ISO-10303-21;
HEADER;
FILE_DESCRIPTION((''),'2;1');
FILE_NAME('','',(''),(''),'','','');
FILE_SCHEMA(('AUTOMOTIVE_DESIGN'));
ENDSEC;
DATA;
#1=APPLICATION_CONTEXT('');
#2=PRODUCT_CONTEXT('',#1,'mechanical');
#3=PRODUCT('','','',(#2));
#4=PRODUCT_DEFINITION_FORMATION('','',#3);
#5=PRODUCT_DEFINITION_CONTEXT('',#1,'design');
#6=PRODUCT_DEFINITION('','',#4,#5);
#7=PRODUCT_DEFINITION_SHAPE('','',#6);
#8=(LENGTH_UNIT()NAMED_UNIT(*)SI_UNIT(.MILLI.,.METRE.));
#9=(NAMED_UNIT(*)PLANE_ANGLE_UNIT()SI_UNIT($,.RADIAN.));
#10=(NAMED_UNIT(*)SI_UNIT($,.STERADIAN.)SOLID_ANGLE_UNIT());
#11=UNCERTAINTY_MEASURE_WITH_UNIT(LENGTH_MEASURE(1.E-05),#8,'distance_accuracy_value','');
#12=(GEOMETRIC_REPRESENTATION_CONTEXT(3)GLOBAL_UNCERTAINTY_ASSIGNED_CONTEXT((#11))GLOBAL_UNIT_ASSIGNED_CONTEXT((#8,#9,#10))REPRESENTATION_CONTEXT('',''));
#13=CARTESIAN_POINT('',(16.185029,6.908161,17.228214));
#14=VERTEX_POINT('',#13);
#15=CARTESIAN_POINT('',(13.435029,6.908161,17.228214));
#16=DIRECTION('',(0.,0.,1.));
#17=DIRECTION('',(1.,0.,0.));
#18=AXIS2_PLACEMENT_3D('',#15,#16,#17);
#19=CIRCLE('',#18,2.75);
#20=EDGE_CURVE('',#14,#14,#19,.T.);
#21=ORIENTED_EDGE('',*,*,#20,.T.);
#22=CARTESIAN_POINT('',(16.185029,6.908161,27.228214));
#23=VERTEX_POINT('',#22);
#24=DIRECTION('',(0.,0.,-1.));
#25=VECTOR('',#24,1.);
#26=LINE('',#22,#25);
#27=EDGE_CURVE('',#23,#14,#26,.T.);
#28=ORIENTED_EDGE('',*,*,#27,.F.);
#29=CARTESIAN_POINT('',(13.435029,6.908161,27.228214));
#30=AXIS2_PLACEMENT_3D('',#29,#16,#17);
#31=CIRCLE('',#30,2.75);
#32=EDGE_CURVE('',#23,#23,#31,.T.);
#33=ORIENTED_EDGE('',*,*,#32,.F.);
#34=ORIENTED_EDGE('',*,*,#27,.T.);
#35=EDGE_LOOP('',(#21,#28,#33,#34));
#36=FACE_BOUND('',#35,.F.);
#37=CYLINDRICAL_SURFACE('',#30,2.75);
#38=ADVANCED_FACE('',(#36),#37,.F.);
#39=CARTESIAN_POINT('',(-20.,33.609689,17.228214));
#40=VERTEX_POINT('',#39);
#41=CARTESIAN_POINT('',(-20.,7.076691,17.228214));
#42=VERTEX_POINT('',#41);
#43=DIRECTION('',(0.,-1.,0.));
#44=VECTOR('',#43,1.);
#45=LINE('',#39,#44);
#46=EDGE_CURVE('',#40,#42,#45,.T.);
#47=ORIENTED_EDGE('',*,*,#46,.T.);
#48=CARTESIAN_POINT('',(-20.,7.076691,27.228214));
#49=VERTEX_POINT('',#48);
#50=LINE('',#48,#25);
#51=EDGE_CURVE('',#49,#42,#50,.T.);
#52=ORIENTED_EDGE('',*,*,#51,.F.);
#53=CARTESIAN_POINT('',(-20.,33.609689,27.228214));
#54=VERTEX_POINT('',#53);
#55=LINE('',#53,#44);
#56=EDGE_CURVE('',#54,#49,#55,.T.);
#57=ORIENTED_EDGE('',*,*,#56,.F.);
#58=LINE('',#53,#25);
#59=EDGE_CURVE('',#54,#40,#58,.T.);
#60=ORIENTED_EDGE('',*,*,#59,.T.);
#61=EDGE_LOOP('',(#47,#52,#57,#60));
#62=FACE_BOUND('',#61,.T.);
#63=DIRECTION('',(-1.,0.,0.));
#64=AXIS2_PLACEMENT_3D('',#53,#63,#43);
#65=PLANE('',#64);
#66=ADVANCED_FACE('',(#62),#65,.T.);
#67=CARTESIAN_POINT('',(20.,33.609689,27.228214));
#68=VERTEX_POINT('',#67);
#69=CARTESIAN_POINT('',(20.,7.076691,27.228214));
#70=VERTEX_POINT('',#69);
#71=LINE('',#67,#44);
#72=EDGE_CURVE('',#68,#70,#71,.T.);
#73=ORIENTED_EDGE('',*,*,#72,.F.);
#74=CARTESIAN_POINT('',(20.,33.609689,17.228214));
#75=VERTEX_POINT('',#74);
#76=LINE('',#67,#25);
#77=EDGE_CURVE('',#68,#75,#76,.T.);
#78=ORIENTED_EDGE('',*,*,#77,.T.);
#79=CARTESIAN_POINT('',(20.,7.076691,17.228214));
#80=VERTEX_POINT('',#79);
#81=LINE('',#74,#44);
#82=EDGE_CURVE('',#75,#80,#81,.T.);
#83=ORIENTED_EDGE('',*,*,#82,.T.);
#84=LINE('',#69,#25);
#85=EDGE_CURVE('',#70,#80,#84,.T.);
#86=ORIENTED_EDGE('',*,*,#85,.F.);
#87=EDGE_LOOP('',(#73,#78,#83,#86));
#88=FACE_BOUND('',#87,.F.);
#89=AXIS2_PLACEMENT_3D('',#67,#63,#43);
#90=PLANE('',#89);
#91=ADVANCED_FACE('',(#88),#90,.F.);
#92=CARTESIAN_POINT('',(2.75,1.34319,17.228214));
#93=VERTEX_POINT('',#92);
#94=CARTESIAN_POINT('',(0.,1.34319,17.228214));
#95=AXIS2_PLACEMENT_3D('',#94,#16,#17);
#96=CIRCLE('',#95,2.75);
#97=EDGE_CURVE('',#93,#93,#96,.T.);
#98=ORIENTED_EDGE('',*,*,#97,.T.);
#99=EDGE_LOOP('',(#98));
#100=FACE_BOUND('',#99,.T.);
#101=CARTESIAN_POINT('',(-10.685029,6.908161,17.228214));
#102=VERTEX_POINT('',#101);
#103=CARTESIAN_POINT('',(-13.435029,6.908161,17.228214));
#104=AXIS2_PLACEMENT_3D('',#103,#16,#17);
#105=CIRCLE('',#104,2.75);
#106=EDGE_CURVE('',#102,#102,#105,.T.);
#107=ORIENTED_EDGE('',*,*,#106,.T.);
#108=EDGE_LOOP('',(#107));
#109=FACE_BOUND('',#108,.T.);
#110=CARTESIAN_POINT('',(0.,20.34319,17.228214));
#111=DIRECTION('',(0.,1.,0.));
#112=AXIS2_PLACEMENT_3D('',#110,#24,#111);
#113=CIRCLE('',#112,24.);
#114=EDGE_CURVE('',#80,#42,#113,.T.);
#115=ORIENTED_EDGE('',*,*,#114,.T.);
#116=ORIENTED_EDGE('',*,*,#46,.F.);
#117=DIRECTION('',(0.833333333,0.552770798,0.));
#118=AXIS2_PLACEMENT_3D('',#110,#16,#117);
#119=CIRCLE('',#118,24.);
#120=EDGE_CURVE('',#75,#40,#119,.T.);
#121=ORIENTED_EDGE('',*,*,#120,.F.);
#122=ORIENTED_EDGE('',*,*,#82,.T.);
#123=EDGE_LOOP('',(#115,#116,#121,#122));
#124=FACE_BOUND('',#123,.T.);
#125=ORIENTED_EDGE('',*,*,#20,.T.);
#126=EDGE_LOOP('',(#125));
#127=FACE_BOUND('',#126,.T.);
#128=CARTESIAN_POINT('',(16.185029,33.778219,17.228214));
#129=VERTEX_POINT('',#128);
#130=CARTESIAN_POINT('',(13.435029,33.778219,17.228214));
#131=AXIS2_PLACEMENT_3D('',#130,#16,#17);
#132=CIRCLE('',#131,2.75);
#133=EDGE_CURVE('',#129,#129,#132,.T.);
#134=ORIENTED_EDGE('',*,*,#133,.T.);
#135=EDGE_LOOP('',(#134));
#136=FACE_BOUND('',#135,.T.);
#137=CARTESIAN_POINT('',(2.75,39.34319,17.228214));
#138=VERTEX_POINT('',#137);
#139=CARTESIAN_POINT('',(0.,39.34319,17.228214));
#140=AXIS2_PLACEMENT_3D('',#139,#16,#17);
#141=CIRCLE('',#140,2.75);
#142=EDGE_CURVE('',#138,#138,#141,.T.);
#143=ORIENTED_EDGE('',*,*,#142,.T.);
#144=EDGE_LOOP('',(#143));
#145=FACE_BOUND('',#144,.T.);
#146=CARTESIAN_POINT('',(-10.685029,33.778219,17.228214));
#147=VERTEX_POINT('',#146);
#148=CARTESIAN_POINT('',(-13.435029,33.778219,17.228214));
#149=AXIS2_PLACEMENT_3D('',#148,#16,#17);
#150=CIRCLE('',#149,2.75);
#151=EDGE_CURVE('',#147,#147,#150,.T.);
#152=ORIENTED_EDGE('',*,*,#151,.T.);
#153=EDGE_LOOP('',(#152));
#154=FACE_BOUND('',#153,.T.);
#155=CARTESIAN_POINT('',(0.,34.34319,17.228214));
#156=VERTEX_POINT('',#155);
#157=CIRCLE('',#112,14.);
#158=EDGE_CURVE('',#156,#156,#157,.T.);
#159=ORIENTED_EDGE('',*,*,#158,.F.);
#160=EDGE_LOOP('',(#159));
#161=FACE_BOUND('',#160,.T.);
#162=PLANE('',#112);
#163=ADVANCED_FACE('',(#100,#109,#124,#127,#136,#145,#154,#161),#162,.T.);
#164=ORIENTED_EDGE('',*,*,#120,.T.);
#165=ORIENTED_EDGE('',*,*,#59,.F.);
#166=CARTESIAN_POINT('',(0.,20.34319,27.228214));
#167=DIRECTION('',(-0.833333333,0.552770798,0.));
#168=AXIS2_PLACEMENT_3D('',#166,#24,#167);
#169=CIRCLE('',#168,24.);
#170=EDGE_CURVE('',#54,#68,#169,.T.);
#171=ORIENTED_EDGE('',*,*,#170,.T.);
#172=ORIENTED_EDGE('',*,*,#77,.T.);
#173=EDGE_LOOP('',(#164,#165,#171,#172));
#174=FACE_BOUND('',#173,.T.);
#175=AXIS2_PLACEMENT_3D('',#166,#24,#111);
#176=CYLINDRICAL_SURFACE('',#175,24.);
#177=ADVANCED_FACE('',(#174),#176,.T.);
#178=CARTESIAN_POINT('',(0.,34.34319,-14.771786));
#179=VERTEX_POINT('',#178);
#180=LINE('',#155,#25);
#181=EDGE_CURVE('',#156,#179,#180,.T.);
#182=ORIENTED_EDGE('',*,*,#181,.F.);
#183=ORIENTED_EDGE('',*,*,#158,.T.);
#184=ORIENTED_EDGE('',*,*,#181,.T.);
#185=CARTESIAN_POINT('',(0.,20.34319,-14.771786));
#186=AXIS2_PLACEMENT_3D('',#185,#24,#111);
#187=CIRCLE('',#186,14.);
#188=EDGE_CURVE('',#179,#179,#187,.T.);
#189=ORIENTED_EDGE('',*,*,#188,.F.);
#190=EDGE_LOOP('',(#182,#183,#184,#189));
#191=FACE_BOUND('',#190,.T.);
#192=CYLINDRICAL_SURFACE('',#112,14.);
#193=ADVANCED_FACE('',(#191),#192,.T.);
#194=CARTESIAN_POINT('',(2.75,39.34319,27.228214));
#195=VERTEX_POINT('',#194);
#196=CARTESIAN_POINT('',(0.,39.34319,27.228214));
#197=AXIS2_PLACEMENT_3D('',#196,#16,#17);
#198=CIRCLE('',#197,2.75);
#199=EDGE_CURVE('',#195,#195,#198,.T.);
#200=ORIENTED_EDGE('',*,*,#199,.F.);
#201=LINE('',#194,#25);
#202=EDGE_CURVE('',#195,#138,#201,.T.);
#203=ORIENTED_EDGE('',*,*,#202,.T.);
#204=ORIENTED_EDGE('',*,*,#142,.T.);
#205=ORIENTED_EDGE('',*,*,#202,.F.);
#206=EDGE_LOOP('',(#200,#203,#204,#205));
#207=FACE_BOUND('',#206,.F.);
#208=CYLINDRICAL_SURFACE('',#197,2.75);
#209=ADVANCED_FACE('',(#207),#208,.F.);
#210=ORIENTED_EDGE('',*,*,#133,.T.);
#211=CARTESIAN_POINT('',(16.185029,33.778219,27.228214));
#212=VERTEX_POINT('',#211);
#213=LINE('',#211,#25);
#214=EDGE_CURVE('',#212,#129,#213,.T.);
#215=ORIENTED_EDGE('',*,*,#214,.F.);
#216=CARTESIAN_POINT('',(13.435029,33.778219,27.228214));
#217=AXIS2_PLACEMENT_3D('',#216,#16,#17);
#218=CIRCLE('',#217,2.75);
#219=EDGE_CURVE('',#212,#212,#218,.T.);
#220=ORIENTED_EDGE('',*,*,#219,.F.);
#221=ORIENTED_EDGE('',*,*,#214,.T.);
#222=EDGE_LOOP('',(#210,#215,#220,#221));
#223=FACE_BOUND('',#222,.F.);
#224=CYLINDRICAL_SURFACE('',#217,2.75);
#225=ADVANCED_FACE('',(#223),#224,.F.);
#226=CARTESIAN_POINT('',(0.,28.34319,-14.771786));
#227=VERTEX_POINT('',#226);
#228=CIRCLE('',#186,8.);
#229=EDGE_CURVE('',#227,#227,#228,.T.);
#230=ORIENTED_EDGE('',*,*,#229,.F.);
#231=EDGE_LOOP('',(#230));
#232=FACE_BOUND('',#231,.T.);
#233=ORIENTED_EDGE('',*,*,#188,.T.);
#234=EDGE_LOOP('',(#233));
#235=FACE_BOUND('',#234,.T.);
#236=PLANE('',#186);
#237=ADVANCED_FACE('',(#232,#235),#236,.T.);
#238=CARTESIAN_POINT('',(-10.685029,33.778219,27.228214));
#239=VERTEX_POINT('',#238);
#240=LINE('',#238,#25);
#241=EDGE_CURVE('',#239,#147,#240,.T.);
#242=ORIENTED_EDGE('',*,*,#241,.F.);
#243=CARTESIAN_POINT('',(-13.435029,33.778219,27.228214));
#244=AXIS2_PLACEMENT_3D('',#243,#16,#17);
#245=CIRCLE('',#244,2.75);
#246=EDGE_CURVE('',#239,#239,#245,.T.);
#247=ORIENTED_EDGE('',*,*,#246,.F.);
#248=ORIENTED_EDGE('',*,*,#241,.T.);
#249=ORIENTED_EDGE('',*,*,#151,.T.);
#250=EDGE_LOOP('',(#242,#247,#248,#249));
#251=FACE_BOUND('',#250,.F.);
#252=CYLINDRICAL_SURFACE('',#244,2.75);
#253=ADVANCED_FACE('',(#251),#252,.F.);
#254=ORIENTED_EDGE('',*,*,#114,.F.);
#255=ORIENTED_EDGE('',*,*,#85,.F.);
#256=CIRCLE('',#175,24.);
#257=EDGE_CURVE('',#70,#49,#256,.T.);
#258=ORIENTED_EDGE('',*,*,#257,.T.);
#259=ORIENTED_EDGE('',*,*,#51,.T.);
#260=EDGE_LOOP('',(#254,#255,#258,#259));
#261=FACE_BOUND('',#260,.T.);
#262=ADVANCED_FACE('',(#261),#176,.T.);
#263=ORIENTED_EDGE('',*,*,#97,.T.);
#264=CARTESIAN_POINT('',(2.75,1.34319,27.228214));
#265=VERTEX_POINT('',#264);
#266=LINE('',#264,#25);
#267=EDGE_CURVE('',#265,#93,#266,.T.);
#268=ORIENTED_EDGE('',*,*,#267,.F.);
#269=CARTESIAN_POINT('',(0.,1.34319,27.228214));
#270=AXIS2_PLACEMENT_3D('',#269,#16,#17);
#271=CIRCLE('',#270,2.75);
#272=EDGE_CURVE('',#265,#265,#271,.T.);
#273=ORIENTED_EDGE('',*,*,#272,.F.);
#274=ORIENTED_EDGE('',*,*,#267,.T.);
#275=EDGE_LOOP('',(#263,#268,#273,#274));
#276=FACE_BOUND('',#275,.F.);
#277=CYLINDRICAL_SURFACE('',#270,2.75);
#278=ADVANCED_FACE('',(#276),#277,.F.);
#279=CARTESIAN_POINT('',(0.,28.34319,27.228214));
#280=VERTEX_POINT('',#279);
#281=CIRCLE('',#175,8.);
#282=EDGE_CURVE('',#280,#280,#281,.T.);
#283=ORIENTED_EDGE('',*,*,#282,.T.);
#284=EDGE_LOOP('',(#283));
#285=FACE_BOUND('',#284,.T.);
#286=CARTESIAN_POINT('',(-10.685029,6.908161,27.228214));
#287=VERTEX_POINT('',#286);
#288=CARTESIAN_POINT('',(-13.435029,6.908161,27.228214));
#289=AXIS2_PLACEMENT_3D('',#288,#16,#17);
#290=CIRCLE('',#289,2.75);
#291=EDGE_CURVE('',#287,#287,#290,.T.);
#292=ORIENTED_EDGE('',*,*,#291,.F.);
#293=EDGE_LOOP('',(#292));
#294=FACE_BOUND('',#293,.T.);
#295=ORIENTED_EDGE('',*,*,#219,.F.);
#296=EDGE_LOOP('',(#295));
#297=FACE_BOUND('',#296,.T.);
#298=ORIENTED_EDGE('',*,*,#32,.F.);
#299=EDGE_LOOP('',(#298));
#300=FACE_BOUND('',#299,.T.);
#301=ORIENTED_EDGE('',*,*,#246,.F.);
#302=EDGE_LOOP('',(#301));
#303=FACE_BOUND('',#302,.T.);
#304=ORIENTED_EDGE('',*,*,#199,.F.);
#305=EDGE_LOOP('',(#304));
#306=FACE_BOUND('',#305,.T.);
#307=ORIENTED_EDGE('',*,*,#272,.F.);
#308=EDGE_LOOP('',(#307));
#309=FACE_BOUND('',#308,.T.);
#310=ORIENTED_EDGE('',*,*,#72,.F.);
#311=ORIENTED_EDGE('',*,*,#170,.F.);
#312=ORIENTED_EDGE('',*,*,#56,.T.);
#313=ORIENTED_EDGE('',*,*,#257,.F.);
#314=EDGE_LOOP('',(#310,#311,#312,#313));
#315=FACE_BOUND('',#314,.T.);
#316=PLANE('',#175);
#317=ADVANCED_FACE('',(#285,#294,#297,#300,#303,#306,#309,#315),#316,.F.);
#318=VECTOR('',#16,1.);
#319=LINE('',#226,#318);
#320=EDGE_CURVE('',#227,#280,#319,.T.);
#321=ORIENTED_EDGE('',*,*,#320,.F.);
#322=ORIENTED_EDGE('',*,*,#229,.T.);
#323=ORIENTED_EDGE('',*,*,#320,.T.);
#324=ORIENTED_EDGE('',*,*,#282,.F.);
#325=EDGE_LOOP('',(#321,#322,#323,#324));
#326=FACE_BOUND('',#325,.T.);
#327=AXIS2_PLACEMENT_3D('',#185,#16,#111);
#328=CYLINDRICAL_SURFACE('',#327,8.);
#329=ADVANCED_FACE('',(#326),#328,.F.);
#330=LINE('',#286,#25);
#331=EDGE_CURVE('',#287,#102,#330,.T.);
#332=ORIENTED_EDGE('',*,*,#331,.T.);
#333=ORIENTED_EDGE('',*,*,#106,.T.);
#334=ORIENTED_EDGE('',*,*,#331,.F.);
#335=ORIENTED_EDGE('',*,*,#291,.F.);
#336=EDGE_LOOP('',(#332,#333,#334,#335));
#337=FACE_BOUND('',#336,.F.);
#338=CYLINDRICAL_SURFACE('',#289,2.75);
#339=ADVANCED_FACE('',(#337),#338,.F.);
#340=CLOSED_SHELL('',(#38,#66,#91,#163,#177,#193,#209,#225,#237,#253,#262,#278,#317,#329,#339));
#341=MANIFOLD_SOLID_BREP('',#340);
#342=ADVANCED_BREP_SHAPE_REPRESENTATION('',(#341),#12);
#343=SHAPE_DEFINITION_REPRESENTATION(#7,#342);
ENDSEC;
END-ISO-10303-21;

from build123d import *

# Parameters (mm, degrees)
EXTRUDE1_DEPTH = 10
SKETCH3_R      = 2.75
EXTRUDE2_DEPTH = 10


with BuildPart() as part:
    # Sketch1 → Revolve1 (revolve)
    with BuildSketch(Plane(origin=(0, 0, 0), x_dir=(0, 0, -1), z_dir=(1, 0, 0))):
        Polygon((-27.228213729, 44.343190328), (-17.228213729, 44.343190328), (-17.228213729, 34.343190328), (14.771786271, 34.343190328), (14.771786271, 28.343190328), (-27.228213729, 28.343190328), align=None)
    revolve(axis=Axis((0, 20.343190328, 76.875109204), (0, 0, -1)))

    # Sketch2 → Extrude1 (cut)
    with BuildSketch(Plane.XY.offset(27.228213729)):
        with BuildLine():
            Line((-20, 33.609689489), (-20, 7.076691166))
            ThreePointArc((-20, 7.076691166), (-24, 20.343190328), (-20, 33.609689489))
        make_face()
        with BuildLine():
            Line((20, 33.609689489), (20, 7.076691166))
            ThreePointArc((20, 7.076691166), (24, 20.343190328), (20, 33.609689489))
        make_face()
    extrude(amount=-EXTRUDE1_DEPTH, mode=Mode.SUBTRACT)

    # Sketch3 → Extrude2 (cut)
    with BuildSketch(Plane.XY.offset(27.228213729)):
        with Locations((13.435028843, 33.77821917)):
            Circle(SKETCH3_R)
        with Locations((0, 39.343190328)):
            Circle(SKETCH3_R)
        with Locations((-13.435028843, 33.77821917)):
            Circle(SKETCH3_R)
        with Locations((-13.435028843, 6.908161485)):
            Circle(SKETCH3_R)
        with Locations((0, 1.343190328)):
            Circle(SKETCH3_R)
        with Locations((13.435028843, 6.908161485)):
            Circle(SKETCH3_R)
    extrude(amount=-EXTRUDE2_DEPTH, mode=Mode.SUBTRACT)


solid = part.part
